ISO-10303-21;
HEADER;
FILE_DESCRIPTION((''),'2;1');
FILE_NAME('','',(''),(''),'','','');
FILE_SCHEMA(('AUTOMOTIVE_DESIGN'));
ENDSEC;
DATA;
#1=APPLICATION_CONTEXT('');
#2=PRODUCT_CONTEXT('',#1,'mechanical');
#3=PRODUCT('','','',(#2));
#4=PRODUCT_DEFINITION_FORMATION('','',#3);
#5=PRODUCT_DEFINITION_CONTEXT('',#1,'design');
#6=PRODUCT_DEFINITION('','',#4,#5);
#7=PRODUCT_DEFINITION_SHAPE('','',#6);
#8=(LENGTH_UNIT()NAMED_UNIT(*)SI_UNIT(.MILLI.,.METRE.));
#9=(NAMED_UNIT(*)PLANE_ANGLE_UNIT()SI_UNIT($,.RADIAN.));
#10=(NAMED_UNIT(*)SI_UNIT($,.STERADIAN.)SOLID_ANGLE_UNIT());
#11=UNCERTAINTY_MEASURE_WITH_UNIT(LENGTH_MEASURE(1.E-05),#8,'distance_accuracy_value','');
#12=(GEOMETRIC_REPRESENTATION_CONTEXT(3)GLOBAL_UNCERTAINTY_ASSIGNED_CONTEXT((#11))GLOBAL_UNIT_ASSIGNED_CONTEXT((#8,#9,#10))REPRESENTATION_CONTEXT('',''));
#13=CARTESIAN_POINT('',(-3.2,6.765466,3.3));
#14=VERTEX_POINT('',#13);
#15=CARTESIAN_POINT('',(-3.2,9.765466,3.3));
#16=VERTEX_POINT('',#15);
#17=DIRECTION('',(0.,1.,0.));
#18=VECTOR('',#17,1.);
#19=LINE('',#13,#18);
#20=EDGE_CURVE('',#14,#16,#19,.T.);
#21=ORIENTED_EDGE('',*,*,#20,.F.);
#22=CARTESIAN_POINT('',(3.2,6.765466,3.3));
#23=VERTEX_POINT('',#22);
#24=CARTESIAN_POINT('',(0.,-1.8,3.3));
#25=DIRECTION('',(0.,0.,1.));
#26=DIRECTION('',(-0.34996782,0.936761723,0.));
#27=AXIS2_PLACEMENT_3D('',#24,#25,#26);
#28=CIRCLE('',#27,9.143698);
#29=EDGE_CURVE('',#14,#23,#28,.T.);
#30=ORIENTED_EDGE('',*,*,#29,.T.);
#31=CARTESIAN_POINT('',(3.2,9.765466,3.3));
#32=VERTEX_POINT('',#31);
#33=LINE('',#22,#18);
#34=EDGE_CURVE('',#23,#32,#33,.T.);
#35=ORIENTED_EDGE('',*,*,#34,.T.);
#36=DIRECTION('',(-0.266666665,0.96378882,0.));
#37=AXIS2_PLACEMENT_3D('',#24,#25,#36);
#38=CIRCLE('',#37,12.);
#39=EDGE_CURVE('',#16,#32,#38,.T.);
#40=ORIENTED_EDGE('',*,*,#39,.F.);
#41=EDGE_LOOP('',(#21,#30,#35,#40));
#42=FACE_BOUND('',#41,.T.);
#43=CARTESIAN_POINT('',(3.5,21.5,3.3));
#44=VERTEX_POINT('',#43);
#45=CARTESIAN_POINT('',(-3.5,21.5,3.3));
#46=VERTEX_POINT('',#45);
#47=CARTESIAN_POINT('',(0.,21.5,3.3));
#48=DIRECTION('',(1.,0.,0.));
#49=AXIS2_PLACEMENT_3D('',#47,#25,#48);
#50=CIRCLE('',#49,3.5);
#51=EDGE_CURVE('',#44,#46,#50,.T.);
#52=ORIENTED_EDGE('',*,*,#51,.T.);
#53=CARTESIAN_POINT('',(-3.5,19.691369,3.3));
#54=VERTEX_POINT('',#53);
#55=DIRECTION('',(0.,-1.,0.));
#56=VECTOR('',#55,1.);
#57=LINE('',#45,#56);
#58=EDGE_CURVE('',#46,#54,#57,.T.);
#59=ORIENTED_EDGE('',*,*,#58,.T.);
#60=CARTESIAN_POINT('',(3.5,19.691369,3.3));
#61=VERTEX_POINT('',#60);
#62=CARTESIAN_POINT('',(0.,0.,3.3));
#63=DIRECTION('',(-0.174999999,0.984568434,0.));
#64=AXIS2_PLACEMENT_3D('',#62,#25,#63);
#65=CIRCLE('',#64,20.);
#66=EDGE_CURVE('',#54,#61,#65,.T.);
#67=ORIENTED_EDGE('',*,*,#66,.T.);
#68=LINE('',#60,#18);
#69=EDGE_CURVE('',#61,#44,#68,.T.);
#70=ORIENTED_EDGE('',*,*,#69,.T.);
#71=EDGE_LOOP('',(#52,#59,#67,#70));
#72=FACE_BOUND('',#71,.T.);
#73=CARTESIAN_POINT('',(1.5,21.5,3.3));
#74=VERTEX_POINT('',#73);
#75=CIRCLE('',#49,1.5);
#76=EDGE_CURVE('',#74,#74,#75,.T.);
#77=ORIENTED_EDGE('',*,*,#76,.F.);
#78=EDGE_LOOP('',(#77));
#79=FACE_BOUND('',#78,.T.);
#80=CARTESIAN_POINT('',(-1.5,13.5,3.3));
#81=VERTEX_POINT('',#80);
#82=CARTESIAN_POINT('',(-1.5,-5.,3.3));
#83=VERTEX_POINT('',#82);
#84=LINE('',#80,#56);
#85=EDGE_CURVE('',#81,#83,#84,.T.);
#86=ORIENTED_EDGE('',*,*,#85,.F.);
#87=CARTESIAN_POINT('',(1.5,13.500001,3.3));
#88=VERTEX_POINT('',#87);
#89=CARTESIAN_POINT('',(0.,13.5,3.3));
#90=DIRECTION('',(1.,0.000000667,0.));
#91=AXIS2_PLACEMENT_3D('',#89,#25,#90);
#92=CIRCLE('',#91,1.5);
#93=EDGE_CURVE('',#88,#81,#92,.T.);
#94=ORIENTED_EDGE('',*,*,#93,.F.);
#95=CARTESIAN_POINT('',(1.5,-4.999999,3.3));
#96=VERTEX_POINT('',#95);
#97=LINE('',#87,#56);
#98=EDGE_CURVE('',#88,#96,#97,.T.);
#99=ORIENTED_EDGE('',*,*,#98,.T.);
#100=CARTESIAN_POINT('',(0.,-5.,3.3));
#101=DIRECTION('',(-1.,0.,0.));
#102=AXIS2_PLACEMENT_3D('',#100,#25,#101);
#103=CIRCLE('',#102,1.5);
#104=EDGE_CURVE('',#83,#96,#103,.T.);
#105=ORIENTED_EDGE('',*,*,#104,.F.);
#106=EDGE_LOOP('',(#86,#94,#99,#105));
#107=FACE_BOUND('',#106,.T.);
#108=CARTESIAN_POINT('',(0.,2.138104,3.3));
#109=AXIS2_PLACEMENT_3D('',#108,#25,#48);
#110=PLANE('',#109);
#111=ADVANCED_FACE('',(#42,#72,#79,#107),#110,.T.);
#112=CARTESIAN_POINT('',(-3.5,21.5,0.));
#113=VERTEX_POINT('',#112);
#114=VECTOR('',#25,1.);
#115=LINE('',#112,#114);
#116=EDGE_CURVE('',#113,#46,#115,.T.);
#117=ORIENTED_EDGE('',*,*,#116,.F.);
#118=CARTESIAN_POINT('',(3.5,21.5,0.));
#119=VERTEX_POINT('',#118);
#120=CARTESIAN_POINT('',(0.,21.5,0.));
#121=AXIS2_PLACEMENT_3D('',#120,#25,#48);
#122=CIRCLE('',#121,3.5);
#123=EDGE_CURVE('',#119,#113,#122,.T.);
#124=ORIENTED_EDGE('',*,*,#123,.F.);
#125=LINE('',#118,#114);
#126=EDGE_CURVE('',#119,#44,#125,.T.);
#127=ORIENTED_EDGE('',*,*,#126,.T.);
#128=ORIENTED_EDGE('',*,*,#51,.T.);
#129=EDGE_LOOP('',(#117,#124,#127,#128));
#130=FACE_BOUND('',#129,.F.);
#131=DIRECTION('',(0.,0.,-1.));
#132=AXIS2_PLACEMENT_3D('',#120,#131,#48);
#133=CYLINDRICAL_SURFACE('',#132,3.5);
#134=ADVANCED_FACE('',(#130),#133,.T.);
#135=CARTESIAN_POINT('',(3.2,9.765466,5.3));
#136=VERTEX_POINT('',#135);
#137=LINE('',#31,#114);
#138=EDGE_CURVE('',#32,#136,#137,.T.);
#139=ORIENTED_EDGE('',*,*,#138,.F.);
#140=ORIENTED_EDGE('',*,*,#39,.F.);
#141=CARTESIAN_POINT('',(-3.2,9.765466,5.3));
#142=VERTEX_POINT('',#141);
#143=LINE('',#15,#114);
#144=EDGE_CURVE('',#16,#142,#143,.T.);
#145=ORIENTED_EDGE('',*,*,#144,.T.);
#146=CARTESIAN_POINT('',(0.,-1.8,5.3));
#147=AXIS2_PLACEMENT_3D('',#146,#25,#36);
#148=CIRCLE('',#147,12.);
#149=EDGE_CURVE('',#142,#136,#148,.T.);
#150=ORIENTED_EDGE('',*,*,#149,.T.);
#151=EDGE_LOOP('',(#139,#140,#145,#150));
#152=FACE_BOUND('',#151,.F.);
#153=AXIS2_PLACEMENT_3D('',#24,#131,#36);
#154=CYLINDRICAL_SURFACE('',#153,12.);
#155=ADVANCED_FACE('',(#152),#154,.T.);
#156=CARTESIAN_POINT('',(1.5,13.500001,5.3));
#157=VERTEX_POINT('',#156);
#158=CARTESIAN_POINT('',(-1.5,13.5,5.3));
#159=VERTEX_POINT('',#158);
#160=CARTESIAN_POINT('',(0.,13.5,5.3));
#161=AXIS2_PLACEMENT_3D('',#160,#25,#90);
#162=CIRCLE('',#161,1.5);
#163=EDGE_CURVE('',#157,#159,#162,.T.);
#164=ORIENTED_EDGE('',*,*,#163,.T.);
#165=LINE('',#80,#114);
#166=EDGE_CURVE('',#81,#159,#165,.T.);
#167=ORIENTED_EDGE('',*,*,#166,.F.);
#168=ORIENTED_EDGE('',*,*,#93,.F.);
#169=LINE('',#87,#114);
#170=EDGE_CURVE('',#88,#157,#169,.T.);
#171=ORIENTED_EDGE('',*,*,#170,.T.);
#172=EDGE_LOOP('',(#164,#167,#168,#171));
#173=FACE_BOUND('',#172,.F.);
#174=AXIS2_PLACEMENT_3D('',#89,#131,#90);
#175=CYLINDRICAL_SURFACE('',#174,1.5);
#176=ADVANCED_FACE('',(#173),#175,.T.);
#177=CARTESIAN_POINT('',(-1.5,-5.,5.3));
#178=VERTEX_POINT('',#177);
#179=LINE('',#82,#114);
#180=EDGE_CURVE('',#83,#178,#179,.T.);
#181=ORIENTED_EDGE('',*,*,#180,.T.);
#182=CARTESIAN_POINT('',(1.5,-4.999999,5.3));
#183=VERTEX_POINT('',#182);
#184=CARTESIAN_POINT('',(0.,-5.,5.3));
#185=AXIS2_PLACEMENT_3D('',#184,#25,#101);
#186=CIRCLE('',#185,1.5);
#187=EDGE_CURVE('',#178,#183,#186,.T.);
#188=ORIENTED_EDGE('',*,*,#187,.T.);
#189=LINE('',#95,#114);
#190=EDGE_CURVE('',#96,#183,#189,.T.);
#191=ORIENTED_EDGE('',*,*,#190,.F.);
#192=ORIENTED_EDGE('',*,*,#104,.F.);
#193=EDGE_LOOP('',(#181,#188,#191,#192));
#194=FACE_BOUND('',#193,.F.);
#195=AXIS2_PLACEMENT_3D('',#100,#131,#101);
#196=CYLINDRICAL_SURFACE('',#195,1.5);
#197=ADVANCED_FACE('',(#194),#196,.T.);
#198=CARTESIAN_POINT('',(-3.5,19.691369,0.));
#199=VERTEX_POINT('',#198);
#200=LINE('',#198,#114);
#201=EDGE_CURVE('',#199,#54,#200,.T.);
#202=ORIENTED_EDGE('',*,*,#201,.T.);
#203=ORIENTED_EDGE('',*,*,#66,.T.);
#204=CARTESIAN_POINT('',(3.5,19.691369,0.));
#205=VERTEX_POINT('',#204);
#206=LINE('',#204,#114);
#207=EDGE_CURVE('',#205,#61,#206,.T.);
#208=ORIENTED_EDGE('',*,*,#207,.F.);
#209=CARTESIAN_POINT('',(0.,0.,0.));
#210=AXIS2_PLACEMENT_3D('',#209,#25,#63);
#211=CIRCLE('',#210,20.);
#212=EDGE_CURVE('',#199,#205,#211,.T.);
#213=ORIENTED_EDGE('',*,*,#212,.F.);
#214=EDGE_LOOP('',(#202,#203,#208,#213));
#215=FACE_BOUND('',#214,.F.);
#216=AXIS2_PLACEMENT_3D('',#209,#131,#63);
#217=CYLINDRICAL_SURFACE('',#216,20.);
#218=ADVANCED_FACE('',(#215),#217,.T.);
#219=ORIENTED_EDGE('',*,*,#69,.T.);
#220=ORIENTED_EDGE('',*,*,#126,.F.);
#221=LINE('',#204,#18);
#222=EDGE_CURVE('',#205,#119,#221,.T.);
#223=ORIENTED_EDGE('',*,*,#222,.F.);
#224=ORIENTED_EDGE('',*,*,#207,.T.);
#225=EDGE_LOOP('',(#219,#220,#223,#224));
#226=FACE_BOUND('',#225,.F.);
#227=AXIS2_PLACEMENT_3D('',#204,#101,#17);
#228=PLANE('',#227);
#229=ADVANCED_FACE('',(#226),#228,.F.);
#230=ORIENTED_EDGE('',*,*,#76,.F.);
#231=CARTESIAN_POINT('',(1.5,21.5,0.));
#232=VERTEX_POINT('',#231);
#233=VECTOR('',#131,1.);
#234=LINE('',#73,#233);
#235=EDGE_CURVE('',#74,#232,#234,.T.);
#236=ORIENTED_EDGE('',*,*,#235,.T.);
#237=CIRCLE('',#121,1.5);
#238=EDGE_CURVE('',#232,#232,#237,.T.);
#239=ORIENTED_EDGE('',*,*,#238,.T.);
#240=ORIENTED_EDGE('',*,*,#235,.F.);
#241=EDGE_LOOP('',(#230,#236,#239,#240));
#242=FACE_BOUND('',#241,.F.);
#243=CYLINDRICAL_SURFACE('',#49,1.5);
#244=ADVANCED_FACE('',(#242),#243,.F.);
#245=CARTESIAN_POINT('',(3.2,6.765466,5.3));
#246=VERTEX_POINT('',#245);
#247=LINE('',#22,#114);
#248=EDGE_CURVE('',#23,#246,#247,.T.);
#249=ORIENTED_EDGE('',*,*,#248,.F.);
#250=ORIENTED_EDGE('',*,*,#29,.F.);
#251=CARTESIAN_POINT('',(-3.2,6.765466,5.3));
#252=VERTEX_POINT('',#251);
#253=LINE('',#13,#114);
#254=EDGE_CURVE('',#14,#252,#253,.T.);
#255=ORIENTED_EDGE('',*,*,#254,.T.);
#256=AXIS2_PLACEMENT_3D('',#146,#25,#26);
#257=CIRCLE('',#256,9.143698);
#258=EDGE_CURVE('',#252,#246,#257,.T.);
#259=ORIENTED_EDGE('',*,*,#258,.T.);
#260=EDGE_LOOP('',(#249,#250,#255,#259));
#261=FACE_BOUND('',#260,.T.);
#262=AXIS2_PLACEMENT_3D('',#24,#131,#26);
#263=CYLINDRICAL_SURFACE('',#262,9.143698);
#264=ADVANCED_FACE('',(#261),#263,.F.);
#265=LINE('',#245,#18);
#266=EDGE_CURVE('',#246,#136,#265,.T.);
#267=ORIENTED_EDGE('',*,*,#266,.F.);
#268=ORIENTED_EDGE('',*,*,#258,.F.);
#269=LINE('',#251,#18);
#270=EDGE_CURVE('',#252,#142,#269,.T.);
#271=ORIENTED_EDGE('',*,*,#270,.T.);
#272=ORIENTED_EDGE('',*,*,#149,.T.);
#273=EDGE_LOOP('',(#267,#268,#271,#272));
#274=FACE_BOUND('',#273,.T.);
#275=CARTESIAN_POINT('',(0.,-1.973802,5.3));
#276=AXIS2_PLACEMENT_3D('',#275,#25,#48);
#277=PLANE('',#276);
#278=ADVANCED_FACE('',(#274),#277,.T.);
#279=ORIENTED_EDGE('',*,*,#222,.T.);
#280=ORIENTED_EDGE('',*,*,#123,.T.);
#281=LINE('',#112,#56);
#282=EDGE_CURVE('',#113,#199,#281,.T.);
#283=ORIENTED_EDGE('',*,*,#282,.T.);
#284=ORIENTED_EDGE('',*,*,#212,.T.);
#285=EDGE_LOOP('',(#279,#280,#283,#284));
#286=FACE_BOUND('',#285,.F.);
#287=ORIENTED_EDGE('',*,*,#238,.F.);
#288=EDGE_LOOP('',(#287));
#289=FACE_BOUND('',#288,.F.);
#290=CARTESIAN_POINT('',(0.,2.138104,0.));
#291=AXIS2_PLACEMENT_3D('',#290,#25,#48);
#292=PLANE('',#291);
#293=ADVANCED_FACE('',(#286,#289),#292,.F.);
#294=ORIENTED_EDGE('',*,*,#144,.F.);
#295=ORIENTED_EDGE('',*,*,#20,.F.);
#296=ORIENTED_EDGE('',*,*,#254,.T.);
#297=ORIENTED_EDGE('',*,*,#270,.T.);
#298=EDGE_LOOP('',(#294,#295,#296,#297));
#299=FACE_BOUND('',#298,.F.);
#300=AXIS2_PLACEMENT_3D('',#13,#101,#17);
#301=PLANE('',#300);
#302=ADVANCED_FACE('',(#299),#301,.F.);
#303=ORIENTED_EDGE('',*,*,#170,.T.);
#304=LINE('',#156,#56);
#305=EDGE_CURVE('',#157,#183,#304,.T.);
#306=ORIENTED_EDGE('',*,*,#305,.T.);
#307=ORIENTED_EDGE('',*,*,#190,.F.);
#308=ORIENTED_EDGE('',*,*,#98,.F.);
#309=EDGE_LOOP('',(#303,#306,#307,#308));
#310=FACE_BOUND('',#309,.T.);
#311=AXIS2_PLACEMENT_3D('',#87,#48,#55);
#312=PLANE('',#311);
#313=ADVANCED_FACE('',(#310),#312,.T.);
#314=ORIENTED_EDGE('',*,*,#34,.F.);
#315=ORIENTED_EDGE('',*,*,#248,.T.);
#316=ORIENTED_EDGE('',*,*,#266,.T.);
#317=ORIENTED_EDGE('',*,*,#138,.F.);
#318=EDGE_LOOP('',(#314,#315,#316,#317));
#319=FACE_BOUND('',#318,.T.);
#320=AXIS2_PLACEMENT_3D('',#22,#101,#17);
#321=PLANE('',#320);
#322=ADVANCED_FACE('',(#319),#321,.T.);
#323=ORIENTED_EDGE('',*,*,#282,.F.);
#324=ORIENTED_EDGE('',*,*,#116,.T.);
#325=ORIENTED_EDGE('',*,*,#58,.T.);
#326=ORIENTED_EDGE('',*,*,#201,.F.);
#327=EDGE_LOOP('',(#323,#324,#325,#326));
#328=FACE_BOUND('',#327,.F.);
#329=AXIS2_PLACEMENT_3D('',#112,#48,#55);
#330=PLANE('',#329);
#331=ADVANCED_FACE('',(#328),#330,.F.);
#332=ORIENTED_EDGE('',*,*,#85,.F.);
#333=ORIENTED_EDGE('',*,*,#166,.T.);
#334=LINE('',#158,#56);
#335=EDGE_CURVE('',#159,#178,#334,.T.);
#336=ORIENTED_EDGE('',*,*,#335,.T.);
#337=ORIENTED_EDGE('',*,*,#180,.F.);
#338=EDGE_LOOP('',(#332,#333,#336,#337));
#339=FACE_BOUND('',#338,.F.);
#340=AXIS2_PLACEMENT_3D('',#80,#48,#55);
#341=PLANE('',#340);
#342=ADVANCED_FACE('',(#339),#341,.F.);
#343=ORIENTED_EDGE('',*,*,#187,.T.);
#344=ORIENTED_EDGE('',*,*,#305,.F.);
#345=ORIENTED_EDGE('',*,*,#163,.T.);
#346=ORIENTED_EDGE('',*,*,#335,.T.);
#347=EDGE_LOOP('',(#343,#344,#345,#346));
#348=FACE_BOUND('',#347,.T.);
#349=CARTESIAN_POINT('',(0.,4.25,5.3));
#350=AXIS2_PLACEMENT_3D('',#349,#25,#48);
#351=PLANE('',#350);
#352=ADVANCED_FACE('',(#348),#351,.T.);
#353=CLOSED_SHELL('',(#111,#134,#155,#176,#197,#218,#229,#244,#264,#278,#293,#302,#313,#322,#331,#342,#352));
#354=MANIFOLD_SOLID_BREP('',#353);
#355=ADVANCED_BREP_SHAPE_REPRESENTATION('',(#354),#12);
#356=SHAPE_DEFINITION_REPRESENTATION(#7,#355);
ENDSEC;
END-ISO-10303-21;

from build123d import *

# Parameters (mm, degrees)
EXTRUDE_DEPTH = 3.3
SKETCH001_R   = 1.5
POCKET_DEPTH  = 3.301
PAD_DEPTH     = 2


with BuildPart() as part:
    # Sketch → Extrude (new body)
    with BuildSketch(Plane.XY):
        with BuildLine():
            ThreePointArc((3.5, 21.5), (0, 25), (-3.5, 21.5))
            Line((-3.5, 21.5), (-3.5, 19.691369))
            ThreePointArc((-3.5, 19.691369), (0, -20), (3.5, 19.691369))
            Line((3.5, 19.691369), (3.5, 21.5))
        make_face()
    extrude(amount=EXTRUDE_DEPTH)

    # Sketch001 → Pocket (cut, through all)
    with BuildSketch(Plane.XY.offset(3.3)):
        with Locations((0, 21.5)):
            Circle(SKETCH001_R)
    extrude(amount=-POCKET_DEPTH, mode=Mode.SUBTRACT)

    # Sketch002 → Pad (new body)
    with BuildSketch(Plane.XY.offset(3.3)):
        with BuildLine():
            ThreePointArc((1.5, 13.500001), (0, 15), (-1.5, 13.5))
            Line((-1.5, 13.5), (-1.5, -5))
            ThreePointArc((-1.5, -5), (0, -6.5), (1.5, -4.999999))
            Line((1.5, 13.500001), (1.5, -4.999999))
        make_face()
        with BuildLine():
            Line((-3.2, 6.765466), (-3.2, 9.765466))
            ThreePointArc((-3.2, 9.765466), (0, -13.8), (3.2, 9.765466))
            Line((3.2, 6.765466), (3.2, 9.765466))
            ThreePointArc((-3.2, 6.765466), (0, -10.943698), (3.2, 6.765466))
        make_face()
    extrude(amount=PAD_DEPTH)


solid = part.part
